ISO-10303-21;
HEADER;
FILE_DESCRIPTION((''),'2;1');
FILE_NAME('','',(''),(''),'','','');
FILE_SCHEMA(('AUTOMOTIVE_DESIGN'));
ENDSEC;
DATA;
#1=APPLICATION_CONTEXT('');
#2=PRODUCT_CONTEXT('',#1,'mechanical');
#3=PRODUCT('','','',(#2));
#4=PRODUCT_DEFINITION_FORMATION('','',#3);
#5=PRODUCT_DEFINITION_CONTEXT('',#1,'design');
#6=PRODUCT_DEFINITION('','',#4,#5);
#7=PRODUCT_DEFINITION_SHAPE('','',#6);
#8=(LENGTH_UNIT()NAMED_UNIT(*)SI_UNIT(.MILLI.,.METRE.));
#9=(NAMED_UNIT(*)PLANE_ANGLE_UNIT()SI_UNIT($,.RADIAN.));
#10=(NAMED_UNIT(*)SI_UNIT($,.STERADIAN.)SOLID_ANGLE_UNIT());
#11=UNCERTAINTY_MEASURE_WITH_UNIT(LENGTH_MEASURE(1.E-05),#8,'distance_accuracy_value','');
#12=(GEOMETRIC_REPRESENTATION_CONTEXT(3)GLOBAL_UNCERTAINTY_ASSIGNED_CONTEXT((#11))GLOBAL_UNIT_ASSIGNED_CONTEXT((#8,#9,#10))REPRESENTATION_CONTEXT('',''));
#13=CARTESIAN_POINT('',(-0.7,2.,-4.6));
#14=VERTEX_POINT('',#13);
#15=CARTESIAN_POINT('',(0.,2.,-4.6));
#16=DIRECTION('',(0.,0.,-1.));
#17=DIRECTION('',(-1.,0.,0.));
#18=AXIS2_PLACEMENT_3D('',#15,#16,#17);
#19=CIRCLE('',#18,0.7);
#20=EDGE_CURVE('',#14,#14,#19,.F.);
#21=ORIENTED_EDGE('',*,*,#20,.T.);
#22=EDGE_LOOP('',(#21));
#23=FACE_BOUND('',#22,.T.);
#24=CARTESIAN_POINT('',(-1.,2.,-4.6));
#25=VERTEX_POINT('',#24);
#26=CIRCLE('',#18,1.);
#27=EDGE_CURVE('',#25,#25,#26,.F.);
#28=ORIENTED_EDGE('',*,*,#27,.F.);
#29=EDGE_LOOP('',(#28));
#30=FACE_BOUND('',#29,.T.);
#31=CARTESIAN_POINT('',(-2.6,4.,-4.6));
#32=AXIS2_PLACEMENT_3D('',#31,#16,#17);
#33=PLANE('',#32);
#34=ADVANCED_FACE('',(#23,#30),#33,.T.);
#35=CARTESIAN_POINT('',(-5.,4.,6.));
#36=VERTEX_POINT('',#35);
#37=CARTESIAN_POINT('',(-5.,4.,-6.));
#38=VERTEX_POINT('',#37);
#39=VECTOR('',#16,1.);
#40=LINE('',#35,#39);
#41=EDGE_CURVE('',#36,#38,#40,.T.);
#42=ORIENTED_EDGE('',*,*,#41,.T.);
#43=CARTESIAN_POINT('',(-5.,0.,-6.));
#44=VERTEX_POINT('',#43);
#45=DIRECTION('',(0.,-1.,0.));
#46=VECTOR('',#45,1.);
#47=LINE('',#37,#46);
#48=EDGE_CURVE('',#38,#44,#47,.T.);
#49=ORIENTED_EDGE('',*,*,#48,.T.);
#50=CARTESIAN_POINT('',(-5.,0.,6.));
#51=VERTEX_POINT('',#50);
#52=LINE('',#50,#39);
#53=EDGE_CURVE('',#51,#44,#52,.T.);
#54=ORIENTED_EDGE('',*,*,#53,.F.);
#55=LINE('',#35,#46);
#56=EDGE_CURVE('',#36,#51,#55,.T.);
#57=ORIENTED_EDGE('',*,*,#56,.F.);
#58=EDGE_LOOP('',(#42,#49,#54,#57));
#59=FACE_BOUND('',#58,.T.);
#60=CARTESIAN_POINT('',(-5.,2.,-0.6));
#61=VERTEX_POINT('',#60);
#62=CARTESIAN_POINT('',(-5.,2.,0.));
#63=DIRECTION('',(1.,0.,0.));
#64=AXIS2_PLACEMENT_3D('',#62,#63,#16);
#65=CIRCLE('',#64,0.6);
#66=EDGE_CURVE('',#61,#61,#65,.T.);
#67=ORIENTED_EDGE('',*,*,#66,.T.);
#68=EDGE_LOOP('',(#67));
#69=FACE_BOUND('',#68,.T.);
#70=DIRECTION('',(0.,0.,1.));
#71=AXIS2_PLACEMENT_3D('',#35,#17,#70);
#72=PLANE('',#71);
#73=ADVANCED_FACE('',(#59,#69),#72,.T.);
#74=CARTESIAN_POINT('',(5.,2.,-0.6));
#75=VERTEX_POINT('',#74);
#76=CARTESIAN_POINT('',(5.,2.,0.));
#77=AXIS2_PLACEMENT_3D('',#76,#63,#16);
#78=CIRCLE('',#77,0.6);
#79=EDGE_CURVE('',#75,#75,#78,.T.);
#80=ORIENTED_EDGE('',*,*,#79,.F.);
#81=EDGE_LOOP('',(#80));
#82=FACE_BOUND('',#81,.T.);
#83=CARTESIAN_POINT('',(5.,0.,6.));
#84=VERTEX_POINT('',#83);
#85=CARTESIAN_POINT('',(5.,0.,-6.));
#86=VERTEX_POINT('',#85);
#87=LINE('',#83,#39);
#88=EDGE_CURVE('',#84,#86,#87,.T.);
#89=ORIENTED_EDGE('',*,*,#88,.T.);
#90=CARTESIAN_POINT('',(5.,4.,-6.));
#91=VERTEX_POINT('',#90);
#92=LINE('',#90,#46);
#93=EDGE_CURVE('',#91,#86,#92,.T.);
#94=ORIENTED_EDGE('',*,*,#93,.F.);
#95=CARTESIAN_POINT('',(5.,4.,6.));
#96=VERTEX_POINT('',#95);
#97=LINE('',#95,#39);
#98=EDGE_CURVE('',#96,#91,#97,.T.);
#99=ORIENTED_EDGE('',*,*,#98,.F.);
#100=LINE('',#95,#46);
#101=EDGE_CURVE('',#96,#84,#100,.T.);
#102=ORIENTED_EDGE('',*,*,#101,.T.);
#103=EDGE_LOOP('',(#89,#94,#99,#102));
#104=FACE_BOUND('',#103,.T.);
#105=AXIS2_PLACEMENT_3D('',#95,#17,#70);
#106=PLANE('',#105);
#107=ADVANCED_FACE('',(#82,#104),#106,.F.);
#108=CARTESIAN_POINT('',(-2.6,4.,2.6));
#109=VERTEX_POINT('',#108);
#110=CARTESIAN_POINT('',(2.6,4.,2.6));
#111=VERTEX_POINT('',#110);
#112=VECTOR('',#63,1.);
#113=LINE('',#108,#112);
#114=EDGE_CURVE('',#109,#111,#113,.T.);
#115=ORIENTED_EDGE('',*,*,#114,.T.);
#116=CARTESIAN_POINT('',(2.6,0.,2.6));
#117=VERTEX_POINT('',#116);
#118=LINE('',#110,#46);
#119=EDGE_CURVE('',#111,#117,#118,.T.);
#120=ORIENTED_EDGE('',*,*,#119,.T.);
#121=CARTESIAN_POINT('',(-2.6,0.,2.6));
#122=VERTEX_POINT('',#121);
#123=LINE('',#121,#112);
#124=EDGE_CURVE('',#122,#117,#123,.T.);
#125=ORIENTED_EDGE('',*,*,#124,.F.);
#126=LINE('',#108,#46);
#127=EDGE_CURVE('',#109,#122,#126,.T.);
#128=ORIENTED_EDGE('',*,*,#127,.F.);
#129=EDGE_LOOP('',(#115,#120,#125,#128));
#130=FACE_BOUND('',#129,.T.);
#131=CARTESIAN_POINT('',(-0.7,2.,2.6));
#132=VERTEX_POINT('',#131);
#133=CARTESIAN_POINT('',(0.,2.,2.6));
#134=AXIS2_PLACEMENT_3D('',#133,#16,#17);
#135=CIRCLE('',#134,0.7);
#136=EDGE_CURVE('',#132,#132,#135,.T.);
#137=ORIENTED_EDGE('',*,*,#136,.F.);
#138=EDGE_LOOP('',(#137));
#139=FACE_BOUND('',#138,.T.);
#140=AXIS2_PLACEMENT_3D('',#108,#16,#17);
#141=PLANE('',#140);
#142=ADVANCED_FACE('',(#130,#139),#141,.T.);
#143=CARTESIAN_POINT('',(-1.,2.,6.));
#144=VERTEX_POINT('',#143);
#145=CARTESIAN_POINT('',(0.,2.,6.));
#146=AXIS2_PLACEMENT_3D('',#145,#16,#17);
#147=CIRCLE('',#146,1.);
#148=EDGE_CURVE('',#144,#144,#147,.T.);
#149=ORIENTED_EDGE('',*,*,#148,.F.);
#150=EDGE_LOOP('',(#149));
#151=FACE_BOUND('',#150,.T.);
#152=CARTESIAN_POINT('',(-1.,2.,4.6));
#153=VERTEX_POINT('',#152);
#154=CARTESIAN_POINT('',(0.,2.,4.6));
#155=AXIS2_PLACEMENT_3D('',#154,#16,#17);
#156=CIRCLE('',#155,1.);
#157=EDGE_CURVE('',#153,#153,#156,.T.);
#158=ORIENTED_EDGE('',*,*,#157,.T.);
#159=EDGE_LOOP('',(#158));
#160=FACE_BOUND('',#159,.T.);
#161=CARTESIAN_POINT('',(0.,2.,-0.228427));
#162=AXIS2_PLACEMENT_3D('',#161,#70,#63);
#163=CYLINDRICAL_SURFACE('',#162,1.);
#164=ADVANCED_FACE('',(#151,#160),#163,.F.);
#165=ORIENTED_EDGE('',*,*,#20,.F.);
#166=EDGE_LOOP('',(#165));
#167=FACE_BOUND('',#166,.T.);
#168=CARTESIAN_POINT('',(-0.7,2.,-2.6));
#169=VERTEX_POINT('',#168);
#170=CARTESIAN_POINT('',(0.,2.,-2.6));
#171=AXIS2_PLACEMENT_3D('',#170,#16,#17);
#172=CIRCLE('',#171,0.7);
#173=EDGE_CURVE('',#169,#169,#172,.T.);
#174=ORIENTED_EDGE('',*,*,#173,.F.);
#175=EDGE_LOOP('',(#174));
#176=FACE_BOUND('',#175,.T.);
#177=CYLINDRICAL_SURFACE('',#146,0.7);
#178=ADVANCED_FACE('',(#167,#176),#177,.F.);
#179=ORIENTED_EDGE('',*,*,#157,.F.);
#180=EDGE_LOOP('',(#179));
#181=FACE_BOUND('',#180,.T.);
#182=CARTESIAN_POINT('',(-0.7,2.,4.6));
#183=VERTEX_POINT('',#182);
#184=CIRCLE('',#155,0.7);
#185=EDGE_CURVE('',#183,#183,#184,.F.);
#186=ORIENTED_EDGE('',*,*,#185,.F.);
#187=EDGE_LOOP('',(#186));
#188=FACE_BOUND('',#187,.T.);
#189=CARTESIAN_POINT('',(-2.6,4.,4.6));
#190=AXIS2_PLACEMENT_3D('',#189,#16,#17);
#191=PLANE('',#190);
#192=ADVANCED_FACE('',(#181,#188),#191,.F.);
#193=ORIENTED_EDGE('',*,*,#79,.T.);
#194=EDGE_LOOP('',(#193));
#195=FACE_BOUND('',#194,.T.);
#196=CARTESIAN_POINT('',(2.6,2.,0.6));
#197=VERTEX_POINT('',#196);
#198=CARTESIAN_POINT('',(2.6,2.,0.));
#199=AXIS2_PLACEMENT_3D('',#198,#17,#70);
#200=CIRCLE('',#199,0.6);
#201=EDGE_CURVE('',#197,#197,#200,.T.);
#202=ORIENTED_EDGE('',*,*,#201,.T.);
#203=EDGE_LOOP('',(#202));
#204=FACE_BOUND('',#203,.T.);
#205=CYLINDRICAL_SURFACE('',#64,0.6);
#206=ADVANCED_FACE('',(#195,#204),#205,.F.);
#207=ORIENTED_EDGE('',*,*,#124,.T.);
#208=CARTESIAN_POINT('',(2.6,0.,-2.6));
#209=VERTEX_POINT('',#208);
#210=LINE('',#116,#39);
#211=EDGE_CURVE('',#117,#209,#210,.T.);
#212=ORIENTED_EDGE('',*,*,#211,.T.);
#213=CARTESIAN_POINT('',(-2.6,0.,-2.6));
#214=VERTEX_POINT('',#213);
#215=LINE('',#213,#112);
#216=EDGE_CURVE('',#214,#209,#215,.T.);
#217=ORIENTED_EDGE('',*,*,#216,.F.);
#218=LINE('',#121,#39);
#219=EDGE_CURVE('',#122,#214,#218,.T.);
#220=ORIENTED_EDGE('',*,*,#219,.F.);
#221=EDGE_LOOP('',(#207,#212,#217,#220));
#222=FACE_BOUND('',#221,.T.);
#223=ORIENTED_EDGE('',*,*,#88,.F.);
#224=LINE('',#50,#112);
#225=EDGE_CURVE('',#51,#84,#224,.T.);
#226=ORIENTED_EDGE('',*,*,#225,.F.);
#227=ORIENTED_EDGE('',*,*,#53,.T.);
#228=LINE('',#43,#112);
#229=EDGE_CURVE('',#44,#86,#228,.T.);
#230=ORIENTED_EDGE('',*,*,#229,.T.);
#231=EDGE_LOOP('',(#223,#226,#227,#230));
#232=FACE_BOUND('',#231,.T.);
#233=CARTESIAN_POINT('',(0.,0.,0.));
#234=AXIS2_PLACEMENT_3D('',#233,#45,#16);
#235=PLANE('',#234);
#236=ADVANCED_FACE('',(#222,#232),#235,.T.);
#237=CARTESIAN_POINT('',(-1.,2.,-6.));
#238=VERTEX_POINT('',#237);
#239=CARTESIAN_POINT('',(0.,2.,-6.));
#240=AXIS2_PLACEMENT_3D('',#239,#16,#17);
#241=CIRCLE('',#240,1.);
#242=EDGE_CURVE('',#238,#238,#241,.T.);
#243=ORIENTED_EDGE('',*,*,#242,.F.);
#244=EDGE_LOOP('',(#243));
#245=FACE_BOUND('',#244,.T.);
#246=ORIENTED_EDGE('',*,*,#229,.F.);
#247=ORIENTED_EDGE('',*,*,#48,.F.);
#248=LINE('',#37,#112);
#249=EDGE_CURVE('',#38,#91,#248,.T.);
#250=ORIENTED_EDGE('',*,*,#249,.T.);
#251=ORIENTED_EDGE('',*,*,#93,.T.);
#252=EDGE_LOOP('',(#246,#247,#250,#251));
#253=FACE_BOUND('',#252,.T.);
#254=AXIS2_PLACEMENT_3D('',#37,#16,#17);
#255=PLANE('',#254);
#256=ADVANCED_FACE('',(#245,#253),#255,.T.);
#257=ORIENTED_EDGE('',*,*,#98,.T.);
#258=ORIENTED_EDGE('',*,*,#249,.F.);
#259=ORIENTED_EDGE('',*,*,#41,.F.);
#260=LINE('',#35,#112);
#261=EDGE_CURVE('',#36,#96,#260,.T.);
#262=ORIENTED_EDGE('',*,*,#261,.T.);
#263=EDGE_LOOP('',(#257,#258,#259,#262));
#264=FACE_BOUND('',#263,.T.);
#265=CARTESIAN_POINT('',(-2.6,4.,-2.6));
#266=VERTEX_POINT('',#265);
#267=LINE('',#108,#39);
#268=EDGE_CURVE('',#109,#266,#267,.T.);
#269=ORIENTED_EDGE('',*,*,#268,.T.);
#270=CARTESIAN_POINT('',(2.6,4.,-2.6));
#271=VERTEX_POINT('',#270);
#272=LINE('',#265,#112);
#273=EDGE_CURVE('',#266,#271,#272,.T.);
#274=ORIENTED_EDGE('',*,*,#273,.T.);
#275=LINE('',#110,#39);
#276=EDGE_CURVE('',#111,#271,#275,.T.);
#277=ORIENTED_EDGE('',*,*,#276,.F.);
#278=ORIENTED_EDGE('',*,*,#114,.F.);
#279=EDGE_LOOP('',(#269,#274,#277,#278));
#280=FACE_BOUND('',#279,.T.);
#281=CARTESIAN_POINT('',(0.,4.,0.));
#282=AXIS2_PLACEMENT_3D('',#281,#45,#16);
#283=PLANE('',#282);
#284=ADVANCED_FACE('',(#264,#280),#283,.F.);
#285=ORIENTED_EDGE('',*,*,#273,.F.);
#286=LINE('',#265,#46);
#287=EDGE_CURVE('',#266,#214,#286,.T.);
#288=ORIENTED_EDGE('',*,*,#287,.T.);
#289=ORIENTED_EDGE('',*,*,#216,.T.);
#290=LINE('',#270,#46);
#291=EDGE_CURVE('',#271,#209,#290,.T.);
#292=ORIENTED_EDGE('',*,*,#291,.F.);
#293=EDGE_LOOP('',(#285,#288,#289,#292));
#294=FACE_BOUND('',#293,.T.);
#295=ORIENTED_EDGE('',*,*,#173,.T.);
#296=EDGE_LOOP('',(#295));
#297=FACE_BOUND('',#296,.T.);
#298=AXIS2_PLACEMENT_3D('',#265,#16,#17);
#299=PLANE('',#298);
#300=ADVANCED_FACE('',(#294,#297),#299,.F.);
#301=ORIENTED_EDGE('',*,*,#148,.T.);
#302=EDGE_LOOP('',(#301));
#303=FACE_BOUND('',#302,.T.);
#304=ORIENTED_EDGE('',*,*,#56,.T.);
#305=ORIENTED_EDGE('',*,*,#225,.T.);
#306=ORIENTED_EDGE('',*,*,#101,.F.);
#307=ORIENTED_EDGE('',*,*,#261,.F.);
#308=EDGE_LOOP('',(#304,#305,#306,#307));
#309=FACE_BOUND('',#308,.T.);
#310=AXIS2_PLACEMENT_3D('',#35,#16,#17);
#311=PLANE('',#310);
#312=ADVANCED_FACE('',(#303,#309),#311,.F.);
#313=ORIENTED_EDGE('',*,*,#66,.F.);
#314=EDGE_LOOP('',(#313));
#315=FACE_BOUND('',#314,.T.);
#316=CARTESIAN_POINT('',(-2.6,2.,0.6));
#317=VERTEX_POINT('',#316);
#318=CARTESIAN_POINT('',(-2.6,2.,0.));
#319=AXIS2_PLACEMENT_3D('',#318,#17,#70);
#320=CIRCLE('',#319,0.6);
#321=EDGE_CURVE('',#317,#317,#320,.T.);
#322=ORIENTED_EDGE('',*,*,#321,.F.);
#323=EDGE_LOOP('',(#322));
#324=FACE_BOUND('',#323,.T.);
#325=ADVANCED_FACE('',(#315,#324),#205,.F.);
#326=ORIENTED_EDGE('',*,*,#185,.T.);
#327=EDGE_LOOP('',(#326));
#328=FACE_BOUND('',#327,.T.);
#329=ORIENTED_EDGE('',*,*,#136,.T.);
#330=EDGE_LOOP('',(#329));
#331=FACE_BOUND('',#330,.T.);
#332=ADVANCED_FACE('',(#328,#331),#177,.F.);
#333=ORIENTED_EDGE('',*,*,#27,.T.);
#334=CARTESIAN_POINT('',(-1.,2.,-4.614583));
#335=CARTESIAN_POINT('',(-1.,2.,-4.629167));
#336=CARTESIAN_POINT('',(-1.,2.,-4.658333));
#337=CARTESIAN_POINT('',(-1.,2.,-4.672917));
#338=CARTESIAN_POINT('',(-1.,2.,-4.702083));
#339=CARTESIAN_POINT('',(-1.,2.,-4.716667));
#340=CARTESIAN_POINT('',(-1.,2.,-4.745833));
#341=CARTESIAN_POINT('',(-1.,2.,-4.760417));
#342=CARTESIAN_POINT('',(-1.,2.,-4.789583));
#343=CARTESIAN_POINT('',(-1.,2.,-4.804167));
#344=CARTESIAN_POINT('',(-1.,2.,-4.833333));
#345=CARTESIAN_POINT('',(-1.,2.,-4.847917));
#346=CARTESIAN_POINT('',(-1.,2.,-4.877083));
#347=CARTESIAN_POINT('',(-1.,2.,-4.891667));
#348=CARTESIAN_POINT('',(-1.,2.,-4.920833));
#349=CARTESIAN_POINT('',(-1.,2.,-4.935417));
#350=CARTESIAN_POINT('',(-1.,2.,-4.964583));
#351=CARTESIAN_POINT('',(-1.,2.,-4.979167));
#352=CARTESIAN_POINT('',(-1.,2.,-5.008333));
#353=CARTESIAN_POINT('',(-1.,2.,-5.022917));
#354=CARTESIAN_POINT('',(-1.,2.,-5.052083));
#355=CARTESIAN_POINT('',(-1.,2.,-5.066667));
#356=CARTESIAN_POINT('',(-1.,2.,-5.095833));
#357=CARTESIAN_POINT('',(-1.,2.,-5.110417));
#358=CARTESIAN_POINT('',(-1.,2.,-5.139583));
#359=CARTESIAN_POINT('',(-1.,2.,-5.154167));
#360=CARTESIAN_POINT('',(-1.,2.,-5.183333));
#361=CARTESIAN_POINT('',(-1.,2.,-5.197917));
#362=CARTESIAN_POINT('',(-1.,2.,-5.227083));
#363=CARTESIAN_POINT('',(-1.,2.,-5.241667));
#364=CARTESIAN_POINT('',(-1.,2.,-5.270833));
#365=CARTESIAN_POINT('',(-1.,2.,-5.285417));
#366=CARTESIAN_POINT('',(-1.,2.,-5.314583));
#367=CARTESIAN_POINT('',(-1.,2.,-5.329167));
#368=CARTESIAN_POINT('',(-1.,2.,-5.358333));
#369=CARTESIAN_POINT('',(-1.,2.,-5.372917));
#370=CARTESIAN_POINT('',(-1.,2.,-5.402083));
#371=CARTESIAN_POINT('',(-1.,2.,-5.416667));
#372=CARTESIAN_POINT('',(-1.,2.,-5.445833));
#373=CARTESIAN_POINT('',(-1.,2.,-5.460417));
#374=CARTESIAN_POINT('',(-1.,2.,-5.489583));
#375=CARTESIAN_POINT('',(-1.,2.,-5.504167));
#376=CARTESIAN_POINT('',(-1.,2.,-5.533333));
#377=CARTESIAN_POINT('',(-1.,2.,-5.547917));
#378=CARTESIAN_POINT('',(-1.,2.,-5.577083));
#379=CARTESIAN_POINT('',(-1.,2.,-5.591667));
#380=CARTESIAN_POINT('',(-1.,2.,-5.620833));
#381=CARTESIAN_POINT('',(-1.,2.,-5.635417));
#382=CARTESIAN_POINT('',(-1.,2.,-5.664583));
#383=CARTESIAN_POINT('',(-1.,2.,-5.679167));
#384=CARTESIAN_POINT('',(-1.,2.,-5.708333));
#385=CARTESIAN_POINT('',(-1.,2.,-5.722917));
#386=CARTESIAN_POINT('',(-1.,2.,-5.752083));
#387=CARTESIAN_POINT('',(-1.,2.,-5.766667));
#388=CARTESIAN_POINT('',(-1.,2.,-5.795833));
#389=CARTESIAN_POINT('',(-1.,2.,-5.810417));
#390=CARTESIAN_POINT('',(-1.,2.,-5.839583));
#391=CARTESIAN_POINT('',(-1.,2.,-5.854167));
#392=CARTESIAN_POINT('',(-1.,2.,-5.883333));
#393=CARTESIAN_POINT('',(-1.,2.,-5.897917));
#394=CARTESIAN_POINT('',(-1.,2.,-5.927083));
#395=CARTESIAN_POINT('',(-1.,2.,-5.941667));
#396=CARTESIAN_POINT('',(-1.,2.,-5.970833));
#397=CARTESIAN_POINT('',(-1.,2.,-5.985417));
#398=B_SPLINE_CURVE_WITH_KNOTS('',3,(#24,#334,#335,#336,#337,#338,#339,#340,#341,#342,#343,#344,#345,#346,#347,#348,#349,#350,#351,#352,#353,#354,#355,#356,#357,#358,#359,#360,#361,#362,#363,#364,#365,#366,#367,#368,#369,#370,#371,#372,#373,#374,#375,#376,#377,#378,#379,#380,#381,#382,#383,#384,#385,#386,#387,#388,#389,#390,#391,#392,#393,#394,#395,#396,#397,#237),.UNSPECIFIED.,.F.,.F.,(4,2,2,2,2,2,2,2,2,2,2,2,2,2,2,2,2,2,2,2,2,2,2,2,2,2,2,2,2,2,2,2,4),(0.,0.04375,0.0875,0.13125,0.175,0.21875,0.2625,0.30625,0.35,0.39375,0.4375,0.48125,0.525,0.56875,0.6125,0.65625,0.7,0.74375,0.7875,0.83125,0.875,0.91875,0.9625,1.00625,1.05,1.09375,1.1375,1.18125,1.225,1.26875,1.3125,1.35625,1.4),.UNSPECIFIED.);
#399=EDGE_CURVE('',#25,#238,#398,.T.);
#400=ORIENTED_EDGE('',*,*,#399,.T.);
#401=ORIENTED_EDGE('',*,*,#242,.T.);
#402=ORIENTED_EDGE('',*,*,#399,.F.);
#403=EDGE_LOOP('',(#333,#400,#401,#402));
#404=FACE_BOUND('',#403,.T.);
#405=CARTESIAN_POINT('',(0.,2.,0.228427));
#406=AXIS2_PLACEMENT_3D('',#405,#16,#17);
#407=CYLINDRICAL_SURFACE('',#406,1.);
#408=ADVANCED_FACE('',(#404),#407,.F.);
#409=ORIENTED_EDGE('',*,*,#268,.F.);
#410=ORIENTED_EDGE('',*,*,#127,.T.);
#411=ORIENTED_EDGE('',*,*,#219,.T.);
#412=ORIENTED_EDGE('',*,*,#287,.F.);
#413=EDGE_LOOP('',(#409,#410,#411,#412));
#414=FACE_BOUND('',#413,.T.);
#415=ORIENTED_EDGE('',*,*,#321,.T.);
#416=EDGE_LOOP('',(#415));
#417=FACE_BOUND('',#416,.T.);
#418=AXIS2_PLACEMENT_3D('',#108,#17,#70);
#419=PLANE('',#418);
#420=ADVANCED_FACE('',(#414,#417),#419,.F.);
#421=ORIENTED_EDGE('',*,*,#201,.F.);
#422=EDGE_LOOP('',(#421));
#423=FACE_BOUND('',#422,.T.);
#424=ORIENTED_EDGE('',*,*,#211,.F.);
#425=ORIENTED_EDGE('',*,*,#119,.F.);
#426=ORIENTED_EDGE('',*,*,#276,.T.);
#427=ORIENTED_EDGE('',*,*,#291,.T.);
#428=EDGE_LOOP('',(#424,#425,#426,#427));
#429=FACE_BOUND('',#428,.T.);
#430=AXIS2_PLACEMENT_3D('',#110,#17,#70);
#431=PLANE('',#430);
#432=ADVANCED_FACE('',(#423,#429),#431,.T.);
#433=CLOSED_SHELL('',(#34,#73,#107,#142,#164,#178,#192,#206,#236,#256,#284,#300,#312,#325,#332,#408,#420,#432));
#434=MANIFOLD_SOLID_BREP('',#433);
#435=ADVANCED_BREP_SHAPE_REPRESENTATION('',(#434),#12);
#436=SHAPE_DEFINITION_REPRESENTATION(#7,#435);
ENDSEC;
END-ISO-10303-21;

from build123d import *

# Parameters (mm, degrees)
SKETCH_1_W          = 10
SKETCH_1_H          = 12
SKETCH_1_W_2        = 5.2
SKETCH_1_H_2        = 5.2
EXTRUDE_1_DEPTH     = 4
SKETCH_2_R          = 0.6
CUT_EXTRUDE_1_DEPTH = 13.328828006
SKETCH_3_R          = 0.7
CUT_EXTRUDE_2_DEPTH = 14.601470509
SKETCH_3_3_R        = 1
CUT_EXTRUDE_3_DEPTH = 1.4
CUT_EXTRUDE_START   = -10.6
SKETCH_3_4_R        = 1
CUT_EXTRUDE_4_DEPTH = 1.4


with BuildPart() as part:
    # 草图1 → 凸台-拉伸1 (new body)
    with BuildSketch(Plane(origin=(0, 0, 0), x_dir=(1, 0, 0), z_dir=(0, 1, 0))):
        Rectangle(SKETCH_1_W, SKETCH_1_H)
        Rectangle(SKETCH_1_W_2, SKETCH_1_H_2, mode=Mode.SUBTRACT)
    extrude(amount=EXTRUDE_1_DEPTH)

    # 草图2 → 切除-拉伸1 (cut, through all)
    with BuildSketch(Plane(origin=(5, 0, 0), x_dir=(0, 0, -1), z_dir=(1, 0, 0))):
        with Locations((0, 2)):
            Circle(SKETCH_2_R)
    extrude(amount=-CUT_EXTRUDE_1_DEPTH, mode=Mode.SUBTRACT)

    # 草图3 → 切除-拉伸2 (cut, through all)
    with BuildSketch(Plane(origin=(0, 0, -6), x_dir=(-1, 0, 0), z_dir=(0, 0, -1))):
        with Locations((0, 2)):
            Circle(SKETCH_3_R)
    extrude(amount=-CUT_EXTRUDE_2_DEPTH, mode=Mode.SUBTRACT)

    # 草图3<3> → 切除-拉伸3 (cut)
    with BuildSketch(Plane(origin=(0, 0, -6), x_dir=(-1, 0, 0), z_dir=(0, 0, -1))):
        with Locations((0, 2)):
            Circle(SKETCH_3_3_R)
    extrude(amount=-CUT_EXTRUDE_3_DEPTH, mode=Mode.SUBTRACT)

    # 草图3<4> → 切除-拉伸4 (cut)
    with BuildSketch(Plane(origin=(0, 0, -6), x_dir=(-1, 0, 0), z_dir=(0, 0, -1)).offset(CUT_EXTRUDE_START)):
        with Locations((0, 2)):
            Circle(SKETCH_3_4_R)
    extrude(amount=-CUT_EXTRUDE_4_DEPTH, mode=Mode.SUBTRACT)


solid = part.part
